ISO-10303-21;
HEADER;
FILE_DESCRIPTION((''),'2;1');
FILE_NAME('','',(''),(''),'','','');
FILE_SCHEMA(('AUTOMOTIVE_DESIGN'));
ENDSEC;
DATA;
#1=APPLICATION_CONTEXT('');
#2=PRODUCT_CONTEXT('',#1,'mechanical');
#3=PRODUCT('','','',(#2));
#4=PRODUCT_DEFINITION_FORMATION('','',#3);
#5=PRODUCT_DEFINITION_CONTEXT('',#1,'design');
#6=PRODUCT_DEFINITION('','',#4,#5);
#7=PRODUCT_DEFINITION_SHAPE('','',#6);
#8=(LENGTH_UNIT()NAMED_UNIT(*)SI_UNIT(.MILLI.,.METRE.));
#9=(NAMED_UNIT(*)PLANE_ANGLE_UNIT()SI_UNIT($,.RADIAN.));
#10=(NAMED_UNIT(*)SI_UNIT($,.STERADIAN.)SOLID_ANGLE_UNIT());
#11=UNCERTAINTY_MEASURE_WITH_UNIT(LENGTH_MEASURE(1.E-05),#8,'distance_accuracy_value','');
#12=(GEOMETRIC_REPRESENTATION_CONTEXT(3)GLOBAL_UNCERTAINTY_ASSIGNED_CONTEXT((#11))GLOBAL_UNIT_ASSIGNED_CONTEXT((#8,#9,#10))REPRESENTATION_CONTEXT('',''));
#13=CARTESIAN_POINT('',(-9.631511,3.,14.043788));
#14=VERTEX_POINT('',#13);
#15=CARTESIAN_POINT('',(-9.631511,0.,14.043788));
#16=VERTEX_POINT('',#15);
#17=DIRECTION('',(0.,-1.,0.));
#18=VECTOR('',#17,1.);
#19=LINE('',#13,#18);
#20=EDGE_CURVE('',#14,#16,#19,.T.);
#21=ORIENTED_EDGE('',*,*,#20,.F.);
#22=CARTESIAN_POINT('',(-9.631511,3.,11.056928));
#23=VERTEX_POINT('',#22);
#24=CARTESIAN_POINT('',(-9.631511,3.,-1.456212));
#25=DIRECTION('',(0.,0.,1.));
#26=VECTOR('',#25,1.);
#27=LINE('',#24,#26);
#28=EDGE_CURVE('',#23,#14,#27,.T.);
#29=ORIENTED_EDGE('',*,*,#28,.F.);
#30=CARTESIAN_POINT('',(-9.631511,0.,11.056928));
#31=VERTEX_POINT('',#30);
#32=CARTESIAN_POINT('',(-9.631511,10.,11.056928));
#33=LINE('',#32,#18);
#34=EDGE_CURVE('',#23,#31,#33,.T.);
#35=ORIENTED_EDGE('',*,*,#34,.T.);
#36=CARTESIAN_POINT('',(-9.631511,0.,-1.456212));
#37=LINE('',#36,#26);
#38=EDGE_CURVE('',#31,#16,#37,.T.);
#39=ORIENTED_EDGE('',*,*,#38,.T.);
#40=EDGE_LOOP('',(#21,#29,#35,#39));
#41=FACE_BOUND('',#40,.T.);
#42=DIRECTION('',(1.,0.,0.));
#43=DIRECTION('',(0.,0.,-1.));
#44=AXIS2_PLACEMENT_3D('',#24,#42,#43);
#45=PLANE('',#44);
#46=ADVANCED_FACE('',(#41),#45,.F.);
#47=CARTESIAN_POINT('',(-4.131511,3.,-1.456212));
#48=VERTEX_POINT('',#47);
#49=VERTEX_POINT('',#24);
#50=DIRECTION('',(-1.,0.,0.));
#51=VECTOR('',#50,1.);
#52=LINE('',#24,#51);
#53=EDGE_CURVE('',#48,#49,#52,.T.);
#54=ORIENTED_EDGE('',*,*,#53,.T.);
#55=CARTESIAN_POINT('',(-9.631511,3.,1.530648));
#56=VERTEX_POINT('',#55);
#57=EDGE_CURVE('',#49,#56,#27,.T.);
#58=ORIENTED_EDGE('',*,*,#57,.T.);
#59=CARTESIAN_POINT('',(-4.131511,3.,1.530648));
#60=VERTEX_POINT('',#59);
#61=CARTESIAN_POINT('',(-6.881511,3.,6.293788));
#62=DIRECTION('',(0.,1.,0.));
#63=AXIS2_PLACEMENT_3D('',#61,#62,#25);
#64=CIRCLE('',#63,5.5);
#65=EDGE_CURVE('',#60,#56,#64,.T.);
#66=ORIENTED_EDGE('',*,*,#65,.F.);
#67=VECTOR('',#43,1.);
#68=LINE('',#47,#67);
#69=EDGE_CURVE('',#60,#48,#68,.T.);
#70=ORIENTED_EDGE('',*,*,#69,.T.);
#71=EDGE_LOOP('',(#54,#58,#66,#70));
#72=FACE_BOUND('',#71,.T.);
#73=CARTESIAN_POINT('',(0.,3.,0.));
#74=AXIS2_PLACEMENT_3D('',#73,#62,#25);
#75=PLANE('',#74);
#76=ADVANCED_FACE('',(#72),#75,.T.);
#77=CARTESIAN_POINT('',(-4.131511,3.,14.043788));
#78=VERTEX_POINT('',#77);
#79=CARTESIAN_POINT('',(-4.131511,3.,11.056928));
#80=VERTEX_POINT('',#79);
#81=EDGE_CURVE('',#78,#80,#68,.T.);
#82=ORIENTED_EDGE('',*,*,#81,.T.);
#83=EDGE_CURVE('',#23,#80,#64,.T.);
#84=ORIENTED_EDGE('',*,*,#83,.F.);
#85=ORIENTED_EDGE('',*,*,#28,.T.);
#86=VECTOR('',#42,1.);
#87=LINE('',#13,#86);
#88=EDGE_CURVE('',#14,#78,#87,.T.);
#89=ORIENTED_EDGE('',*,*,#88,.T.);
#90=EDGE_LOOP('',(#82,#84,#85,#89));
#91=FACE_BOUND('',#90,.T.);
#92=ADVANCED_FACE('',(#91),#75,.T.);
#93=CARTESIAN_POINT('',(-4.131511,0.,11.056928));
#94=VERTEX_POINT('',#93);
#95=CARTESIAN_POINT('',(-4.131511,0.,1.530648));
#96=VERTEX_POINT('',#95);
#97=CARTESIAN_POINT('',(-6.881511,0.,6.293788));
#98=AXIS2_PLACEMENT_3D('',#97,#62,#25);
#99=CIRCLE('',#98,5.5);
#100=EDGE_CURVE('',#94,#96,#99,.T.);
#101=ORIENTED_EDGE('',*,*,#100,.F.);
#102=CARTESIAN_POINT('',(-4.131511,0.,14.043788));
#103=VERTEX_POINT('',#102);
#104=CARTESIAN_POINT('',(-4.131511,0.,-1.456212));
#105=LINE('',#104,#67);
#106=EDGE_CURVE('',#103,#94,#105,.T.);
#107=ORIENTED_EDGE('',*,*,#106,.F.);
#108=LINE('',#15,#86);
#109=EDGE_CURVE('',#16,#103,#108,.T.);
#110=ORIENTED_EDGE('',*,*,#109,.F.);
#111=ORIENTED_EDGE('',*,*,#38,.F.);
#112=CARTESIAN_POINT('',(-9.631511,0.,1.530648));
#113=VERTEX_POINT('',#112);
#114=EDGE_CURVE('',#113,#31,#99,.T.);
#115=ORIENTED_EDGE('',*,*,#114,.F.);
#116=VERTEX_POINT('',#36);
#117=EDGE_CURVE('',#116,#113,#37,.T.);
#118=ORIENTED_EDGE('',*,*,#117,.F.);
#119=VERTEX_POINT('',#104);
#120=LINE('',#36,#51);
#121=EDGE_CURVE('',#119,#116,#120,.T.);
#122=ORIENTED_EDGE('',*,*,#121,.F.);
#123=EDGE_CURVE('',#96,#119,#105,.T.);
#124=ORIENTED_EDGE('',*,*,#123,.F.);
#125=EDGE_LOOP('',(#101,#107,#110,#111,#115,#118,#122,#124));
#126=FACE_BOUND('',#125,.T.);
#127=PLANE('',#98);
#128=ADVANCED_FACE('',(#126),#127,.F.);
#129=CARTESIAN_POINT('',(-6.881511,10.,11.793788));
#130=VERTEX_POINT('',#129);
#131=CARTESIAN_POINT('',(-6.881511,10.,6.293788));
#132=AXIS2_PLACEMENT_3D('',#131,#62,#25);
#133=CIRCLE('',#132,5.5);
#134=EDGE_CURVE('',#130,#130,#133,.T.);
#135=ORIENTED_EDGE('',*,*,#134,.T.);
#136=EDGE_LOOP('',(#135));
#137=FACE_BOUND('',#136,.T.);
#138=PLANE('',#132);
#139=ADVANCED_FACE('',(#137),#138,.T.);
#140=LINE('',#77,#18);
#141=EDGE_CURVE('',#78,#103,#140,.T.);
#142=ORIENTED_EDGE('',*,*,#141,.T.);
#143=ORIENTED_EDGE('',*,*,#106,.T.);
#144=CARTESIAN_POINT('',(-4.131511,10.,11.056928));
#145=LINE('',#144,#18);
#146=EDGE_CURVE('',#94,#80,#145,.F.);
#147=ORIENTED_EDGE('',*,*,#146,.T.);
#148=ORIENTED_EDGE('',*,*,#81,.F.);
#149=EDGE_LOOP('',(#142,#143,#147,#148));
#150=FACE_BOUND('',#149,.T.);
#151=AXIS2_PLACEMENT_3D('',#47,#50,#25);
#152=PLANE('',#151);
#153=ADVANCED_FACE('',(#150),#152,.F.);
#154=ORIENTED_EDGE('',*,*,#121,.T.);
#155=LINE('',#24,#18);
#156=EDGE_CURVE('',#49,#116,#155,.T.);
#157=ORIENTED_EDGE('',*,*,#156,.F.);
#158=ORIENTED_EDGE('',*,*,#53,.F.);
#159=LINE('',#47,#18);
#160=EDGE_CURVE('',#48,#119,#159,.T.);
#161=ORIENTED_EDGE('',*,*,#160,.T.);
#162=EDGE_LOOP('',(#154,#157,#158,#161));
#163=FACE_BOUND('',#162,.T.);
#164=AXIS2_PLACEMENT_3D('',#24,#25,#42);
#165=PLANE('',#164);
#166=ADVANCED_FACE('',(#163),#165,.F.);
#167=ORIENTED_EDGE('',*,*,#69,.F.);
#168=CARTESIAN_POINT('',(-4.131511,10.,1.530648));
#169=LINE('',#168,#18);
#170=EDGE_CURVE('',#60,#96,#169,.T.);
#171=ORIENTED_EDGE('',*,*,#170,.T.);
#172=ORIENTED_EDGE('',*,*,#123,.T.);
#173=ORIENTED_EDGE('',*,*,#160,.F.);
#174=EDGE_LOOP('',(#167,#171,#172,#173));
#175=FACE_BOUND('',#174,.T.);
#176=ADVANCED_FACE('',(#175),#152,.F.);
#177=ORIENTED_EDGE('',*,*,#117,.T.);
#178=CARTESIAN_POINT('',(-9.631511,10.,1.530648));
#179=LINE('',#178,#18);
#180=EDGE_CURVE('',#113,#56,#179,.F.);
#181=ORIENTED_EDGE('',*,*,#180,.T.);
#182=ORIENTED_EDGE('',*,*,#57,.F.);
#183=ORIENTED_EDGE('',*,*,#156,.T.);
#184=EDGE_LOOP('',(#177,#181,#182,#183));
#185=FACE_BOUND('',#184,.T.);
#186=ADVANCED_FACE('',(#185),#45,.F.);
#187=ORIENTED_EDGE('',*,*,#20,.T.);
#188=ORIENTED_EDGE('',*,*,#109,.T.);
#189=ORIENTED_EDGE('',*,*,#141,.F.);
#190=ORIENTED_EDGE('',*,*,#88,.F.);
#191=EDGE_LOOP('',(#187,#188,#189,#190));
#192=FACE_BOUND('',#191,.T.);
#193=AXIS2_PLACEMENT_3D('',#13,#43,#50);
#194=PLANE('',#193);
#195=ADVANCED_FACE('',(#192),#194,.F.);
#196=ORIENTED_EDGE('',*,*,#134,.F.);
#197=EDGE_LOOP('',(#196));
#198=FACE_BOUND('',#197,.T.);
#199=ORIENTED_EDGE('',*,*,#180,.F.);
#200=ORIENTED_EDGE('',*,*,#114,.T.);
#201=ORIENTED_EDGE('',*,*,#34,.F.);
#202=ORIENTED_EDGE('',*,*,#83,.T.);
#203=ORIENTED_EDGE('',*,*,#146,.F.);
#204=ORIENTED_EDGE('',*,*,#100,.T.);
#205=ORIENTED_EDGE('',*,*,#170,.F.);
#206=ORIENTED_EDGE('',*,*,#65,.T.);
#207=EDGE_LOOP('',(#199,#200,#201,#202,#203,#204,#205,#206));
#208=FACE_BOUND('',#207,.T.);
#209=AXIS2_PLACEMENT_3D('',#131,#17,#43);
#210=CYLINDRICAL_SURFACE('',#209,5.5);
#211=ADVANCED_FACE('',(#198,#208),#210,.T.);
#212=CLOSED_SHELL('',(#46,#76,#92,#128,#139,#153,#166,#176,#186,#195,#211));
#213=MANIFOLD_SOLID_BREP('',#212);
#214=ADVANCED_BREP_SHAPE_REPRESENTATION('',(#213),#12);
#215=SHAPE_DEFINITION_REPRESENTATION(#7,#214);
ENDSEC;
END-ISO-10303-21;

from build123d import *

# Parameters (mm, degrees)
CROQUIS1_R              = 5.5
SALIENTE_EXTRUIR1_DEPTH = 10
CROQUIS3_W              = 5.5
CROQUIS3_H              = 15.5
SALIENTE_EXTRUIR2_DEPTH = 3


with BuildPart() as part:
    # Croquis1 → Saliente-Extruir1 (new body)
    with BuildSketch(Plane(origin=(0, 0, 0), x_dir=(1, 0, 0), z_dir=(0, 1, 0))):
        with Locations(Location((-6.881511077, -6.29378807, 0), (0, 0, 270))):
            Circle(CROQUIS1_R)
    extrude(amount=SALIENTE_EXTRUIR1_DEPTH)

    # Croquis3 → Saliente-Extruir2 (add)
    with BuildSketch(Plane(origin=(0, 0, 0), x_dir=(1, 0, 0), z_dir=(0, 1, 0))):
        with Locations((-6.881511077, -6.29378807)):
            Rectangle(CROQUIS3_W, CROQUIS3_H)
    extrude(amount=SALIENTE_EXTRUIR2_DEPTH)


solid = part.part
